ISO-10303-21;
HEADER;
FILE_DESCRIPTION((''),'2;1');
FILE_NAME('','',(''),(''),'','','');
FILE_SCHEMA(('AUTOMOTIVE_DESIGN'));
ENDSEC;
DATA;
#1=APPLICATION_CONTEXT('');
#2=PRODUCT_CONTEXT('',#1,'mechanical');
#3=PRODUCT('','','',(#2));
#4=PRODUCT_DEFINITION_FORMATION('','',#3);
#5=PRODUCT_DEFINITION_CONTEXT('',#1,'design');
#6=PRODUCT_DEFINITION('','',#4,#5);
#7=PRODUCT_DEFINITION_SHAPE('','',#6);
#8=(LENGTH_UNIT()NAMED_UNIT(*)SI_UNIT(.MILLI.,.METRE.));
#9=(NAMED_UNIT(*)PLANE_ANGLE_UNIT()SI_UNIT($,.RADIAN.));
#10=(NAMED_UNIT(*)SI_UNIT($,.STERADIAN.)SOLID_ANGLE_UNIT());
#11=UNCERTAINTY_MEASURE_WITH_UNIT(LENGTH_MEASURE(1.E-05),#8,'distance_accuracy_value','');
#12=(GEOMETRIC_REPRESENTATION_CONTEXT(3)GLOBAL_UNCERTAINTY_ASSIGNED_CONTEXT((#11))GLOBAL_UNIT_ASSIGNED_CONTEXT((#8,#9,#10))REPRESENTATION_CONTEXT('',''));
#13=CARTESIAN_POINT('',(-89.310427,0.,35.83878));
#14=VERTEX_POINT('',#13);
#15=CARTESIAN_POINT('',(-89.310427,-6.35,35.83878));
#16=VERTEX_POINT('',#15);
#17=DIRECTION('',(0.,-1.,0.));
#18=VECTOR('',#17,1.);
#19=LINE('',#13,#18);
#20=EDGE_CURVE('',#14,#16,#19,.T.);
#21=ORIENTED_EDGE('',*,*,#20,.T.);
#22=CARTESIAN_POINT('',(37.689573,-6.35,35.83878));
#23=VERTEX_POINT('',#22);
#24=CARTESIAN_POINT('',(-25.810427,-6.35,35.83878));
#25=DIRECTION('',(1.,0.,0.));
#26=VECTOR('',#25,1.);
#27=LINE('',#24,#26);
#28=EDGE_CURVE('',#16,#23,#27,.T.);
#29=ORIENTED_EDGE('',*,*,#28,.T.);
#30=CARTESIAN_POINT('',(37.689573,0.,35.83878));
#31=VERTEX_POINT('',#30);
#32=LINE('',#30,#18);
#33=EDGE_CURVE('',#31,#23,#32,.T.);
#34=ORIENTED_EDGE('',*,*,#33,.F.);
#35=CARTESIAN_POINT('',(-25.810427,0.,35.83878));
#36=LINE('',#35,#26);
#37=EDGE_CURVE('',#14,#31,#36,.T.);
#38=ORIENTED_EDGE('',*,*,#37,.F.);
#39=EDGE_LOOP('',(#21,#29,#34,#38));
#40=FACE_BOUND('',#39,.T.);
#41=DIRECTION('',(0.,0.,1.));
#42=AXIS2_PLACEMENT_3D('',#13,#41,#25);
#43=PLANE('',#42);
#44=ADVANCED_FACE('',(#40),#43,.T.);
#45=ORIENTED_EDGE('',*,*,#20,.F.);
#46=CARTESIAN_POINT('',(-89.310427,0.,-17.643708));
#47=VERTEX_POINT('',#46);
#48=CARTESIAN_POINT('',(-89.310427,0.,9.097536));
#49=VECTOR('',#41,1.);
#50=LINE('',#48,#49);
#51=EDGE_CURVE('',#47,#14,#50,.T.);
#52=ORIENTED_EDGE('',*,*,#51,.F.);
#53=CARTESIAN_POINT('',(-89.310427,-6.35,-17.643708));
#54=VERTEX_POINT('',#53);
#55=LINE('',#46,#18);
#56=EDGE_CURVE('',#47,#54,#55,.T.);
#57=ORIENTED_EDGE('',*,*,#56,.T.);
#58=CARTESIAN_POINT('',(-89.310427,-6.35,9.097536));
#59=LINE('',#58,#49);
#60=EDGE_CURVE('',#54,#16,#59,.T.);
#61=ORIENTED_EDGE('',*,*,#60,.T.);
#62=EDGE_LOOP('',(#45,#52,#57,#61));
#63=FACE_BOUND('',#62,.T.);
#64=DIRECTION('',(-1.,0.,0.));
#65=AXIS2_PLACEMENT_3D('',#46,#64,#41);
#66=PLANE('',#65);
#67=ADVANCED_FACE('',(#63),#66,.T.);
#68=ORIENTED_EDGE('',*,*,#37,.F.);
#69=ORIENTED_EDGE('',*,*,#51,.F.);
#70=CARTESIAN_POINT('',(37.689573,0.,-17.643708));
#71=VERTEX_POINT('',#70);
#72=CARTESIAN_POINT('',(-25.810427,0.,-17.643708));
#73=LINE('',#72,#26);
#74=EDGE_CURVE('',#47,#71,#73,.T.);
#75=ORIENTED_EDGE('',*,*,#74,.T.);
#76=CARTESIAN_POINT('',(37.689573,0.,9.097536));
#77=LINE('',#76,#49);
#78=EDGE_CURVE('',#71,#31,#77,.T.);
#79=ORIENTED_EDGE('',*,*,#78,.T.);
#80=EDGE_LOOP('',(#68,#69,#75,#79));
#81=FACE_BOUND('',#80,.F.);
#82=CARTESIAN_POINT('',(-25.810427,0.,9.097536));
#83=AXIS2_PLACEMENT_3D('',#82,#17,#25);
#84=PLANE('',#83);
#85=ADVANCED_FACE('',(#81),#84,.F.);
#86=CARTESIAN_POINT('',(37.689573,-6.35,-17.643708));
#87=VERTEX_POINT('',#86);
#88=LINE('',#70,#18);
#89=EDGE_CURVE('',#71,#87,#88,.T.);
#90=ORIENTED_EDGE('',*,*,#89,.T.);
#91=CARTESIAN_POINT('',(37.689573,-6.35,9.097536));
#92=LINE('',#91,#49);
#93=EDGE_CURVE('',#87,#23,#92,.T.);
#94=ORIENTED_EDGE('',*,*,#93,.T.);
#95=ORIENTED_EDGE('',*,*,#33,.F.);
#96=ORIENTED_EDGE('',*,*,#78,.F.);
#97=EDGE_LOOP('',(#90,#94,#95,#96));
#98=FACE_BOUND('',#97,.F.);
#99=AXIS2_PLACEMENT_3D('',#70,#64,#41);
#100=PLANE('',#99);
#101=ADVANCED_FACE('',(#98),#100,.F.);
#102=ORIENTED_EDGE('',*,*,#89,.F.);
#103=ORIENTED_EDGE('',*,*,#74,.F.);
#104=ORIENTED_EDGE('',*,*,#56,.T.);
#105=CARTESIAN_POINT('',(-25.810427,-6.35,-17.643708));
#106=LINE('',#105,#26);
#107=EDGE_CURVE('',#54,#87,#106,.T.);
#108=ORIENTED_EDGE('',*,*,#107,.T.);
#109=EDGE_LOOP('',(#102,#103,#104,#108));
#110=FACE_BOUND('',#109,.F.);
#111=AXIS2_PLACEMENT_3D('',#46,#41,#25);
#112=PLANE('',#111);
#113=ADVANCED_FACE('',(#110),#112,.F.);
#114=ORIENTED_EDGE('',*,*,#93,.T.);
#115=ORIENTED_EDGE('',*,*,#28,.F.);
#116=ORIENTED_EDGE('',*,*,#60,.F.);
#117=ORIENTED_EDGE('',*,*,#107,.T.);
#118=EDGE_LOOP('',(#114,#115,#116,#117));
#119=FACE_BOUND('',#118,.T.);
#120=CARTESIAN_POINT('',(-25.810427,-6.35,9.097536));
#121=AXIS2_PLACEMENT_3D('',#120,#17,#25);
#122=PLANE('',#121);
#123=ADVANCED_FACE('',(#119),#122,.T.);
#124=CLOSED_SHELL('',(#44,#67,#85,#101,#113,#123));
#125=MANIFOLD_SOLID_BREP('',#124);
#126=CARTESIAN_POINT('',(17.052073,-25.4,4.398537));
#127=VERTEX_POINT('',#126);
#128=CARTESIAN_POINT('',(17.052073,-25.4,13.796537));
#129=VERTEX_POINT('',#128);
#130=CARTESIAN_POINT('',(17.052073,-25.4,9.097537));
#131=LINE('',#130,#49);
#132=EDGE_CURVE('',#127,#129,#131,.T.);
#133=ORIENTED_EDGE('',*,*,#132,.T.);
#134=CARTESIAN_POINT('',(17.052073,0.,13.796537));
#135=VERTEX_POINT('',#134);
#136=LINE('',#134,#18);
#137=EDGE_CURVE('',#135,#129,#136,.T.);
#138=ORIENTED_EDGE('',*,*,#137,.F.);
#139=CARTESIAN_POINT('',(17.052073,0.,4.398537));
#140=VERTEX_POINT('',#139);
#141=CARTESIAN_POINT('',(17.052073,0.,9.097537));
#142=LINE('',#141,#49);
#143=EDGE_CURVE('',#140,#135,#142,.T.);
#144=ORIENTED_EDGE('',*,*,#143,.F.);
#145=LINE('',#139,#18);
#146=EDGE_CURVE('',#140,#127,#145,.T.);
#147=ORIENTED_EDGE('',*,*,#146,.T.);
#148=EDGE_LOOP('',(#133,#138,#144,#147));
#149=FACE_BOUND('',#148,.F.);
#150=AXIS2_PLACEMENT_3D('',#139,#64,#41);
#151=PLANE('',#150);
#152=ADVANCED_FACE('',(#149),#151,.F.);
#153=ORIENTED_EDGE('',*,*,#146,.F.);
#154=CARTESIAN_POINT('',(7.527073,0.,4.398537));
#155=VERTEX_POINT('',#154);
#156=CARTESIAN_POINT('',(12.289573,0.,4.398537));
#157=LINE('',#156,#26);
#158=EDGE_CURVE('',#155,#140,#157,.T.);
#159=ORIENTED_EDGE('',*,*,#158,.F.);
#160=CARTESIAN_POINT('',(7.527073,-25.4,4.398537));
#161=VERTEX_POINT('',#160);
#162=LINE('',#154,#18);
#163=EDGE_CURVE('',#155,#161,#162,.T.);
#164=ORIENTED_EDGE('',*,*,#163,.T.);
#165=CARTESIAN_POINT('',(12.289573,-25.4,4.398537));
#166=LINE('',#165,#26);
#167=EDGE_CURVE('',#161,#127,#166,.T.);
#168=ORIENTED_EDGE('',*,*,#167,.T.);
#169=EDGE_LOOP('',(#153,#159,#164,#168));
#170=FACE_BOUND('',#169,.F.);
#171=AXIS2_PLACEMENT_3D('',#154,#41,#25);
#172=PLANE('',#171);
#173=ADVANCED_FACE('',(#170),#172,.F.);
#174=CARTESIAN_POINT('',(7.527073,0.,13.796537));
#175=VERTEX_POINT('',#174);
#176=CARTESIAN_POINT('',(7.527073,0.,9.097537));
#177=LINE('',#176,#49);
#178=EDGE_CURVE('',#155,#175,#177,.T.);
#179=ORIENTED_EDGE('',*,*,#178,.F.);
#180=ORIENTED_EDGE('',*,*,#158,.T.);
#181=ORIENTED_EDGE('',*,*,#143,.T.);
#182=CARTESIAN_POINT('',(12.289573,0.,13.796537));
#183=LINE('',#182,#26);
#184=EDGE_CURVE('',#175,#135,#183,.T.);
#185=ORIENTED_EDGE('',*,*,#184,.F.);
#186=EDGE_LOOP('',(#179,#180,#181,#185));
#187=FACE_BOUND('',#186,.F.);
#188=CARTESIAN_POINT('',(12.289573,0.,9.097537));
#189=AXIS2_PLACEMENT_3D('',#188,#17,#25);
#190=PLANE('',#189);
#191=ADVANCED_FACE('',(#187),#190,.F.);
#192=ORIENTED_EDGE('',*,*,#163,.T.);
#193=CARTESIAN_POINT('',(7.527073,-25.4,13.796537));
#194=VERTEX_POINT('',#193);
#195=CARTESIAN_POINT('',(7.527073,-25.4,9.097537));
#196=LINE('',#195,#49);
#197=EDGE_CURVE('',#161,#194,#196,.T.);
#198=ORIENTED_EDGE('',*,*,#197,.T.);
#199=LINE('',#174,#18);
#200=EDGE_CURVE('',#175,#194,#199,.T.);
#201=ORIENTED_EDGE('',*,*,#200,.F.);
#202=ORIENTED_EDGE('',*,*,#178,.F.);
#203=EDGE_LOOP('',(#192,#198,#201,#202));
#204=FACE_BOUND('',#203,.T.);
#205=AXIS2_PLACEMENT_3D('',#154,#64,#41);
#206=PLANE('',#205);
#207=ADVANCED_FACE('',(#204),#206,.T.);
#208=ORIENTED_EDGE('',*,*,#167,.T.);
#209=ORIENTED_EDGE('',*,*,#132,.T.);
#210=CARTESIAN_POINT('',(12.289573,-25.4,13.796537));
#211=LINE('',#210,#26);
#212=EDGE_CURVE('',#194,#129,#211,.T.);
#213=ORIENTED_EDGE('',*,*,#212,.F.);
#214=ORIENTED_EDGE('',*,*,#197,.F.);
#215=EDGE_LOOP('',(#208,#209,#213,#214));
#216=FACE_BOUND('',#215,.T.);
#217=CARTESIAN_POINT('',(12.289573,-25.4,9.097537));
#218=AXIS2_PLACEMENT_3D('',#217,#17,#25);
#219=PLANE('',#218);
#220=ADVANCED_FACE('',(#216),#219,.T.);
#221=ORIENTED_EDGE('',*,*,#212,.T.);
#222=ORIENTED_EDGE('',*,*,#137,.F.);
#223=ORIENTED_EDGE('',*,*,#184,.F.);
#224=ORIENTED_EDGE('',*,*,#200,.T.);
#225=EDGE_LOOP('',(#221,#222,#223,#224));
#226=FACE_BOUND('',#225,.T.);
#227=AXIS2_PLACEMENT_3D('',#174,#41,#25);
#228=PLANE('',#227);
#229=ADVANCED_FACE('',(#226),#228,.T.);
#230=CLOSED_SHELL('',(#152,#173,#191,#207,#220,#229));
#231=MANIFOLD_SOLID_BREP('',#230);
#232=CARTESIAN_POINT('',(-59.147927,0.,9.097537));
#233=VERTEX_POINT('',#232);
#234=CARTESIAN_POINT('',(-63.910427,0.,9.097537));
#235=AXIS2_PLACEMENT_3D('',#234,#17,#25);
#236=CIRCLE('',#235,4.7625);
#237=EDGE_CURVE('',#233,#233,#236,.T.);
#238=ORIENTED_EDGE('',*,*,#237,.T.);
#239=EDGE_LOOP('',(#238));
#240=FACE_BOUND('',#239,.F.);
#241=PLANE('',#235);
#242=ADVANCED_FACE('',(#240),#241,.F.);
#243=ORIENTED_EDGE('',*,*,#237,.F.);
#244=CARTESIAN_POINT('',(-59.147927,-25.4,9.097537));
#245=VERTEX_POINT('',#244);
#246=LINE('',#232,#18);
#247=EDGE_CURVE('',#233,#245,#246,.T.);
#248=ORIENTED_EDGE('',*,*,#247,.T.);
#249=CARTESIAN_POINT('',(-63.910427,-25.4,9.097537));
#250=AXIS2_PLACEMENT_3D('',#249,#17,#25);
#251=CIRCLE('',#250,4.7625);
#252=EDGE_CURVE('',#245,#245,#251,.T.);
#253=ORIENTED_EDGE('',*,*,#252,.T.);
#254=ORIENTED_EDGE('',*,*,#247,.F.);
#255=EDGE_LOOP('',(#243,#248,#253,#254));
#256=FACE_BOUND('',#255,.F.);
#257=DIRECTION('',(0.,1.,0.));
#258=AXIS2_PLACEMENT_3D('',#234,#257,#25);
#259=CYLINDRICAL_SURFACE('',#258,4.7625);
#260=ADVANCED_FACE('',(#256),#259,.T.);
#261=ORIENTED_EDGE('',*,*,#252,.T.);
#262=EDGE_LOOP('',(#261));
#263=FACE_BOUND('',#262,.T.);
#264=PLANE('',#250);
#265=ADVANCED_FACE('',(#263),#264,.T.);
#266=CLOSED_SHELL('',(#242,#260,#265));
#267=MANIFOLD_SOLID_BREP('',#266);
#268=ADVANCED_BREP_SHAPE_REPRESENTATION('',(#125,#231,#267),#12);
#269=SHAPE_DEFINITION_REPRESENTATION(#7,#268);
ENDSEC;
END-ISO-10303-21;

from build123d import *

# Parameters (mm, degrees)
F0_W     = 127
F0_H     = 53.482489
F0_R     = 4.7625
F0_W_2   = 9.525
F0_H_2   = 9.398
F1_DEPTH = 6.35
F2_DEPTH = 25.4


with BuildPart() as f1:
    # F0 (on Front) → F1 (new body)
    with BuildSketch(Plane.XZ):
        with Locations((-25.810427, 9.097536)):
            Rectangle(F0_W, F0_H)
        with Locations((-63.910427, 9.097537)):
            Circle(F0_R, mode=Mode.SUBTRACT)
        with Locations((12.289573, 9.097537)):
            Rectangle(F0_W_2, F0_H_2, mode=Mode.SUBTRACT)
        with Locations((-63.910427, 9.097537)):
            Circle(F0_R)
        with Locations((12.289573, 9.097537)):
            Rectangle(F0_W_2, F0_H_2)
    extrude(amount=F1_DEPTH)


with BuildPart() as f2:
    # F0 (on Front) → F2 (new body)
    with BuildSketch(Plane.XZ):
        with Locations((-63.910427, 9.097537)):
            Circle(F0_R)
        with Locations((12.289573, 9.097537)):
            Rectangle(F0_W_2, F0_H_2)
    extrude(amount=F2_DEPTH)


solid = Compound([f1.part, f2.part])
